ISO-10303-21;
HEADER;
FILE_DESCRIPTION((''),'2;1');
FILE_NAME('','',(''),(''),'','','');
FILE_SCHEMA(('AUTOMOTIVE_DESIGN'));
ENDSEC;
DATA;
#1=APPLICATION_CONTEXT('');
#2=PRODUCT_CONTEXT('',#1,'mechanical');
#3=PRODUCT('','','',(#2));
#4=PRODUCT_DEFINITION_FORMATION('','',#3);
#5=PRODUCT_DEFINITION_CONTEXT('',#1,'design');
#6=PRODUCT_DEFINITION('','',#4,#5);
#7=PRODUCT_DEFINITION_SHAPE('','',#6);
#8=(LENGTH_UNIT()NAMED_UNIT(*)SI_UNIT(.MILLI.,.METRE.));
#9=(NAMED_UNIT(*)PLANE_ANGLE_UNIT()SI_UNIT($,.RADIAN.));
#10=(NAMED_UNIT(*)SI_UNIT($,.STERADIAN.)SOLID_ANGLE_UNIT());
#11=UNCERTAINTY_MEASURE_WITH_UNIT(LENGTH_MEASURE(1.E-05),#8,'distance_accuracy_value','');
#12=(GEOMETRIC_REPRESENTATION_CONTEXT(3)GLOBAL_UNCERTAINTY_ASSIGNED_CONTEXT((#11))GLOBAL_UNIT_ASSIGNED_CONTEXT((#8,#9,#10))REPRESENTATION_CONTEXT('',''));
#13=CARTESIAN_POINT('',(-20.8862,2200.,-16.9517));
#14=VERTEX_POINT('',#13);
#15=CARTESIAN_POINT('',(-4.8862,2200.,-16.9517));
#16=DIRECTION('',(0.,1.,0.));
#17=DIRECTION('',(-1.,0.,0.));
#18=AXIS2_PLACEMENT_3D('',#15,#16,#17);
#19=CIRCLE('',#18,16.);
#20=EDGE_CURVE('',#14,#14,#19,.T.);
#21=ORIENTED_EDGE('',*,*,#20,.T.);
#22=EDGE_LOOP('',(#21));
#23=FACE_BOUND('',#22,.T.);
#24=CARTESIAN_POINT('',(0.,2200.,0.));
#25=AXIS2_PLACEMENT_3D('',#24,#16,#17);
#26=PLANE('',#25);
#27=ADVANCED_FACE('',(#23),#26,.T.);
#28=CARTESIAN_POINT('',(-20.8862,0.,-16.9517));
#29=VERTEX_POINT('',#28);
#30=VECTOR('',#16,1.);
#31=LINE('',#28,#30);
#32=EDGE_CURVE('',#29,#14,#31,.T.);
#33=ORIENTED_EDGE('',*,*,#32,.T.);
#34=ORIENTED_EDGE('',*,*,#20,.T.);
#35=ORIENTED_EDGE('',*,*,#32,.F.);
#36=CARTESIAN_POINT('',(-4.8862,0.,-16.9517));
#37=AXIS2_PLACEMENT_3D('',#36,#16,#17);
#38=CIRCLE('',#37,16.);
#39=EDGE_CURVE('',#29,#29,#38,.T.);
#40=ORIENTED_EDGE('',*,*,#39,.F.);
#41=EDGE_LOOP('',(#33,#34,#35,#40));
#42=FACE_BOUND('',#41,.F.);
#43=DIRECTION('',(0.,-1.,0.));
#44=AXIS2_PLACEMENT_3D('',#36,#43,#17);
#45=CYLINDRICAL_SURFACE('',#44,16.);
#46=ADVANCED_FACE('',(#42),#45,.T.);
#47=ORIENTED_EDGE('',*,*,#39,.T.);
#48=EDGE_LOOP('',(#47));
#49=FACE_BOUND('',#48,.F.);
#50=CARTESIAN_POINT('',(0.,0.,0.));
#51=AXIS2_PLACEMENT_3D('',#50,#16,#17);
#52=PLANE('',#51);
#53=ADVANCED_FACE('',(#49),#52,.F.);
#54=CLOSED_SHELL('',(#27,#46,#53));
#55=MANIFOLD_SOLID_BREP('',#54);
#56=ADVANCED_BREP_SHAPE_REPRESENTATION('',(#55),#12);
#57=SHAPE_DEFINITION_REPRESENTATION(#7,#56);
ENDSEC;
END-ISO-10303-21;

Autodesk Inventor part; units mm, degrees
ref_plane "YZ Plane" through (0, 0, 0) normal (1, 0, 0) x (0, 1, 0)
ref_plane "XZ Plane" through (0, 0, 0) normal (0, 1, 0) x (-1, 0, 0)
ref_plane "XY Plane" through (0, 0, 0) normal (0, 0, 1) x (1, 0, 0)
sketch "Sketch1" plane through (0, 0, 0) normal (0, 1, 0) x (-1, 0, 0)
  circle A0 centre (4.8862, -16.9517) radius 16
  point P0 (0, 0)
  dimension "d0" = 32
extrude "Extrusion1" add sketch "Sketch1" along normal blind 2200
properties part number "Eixo_32mm"
